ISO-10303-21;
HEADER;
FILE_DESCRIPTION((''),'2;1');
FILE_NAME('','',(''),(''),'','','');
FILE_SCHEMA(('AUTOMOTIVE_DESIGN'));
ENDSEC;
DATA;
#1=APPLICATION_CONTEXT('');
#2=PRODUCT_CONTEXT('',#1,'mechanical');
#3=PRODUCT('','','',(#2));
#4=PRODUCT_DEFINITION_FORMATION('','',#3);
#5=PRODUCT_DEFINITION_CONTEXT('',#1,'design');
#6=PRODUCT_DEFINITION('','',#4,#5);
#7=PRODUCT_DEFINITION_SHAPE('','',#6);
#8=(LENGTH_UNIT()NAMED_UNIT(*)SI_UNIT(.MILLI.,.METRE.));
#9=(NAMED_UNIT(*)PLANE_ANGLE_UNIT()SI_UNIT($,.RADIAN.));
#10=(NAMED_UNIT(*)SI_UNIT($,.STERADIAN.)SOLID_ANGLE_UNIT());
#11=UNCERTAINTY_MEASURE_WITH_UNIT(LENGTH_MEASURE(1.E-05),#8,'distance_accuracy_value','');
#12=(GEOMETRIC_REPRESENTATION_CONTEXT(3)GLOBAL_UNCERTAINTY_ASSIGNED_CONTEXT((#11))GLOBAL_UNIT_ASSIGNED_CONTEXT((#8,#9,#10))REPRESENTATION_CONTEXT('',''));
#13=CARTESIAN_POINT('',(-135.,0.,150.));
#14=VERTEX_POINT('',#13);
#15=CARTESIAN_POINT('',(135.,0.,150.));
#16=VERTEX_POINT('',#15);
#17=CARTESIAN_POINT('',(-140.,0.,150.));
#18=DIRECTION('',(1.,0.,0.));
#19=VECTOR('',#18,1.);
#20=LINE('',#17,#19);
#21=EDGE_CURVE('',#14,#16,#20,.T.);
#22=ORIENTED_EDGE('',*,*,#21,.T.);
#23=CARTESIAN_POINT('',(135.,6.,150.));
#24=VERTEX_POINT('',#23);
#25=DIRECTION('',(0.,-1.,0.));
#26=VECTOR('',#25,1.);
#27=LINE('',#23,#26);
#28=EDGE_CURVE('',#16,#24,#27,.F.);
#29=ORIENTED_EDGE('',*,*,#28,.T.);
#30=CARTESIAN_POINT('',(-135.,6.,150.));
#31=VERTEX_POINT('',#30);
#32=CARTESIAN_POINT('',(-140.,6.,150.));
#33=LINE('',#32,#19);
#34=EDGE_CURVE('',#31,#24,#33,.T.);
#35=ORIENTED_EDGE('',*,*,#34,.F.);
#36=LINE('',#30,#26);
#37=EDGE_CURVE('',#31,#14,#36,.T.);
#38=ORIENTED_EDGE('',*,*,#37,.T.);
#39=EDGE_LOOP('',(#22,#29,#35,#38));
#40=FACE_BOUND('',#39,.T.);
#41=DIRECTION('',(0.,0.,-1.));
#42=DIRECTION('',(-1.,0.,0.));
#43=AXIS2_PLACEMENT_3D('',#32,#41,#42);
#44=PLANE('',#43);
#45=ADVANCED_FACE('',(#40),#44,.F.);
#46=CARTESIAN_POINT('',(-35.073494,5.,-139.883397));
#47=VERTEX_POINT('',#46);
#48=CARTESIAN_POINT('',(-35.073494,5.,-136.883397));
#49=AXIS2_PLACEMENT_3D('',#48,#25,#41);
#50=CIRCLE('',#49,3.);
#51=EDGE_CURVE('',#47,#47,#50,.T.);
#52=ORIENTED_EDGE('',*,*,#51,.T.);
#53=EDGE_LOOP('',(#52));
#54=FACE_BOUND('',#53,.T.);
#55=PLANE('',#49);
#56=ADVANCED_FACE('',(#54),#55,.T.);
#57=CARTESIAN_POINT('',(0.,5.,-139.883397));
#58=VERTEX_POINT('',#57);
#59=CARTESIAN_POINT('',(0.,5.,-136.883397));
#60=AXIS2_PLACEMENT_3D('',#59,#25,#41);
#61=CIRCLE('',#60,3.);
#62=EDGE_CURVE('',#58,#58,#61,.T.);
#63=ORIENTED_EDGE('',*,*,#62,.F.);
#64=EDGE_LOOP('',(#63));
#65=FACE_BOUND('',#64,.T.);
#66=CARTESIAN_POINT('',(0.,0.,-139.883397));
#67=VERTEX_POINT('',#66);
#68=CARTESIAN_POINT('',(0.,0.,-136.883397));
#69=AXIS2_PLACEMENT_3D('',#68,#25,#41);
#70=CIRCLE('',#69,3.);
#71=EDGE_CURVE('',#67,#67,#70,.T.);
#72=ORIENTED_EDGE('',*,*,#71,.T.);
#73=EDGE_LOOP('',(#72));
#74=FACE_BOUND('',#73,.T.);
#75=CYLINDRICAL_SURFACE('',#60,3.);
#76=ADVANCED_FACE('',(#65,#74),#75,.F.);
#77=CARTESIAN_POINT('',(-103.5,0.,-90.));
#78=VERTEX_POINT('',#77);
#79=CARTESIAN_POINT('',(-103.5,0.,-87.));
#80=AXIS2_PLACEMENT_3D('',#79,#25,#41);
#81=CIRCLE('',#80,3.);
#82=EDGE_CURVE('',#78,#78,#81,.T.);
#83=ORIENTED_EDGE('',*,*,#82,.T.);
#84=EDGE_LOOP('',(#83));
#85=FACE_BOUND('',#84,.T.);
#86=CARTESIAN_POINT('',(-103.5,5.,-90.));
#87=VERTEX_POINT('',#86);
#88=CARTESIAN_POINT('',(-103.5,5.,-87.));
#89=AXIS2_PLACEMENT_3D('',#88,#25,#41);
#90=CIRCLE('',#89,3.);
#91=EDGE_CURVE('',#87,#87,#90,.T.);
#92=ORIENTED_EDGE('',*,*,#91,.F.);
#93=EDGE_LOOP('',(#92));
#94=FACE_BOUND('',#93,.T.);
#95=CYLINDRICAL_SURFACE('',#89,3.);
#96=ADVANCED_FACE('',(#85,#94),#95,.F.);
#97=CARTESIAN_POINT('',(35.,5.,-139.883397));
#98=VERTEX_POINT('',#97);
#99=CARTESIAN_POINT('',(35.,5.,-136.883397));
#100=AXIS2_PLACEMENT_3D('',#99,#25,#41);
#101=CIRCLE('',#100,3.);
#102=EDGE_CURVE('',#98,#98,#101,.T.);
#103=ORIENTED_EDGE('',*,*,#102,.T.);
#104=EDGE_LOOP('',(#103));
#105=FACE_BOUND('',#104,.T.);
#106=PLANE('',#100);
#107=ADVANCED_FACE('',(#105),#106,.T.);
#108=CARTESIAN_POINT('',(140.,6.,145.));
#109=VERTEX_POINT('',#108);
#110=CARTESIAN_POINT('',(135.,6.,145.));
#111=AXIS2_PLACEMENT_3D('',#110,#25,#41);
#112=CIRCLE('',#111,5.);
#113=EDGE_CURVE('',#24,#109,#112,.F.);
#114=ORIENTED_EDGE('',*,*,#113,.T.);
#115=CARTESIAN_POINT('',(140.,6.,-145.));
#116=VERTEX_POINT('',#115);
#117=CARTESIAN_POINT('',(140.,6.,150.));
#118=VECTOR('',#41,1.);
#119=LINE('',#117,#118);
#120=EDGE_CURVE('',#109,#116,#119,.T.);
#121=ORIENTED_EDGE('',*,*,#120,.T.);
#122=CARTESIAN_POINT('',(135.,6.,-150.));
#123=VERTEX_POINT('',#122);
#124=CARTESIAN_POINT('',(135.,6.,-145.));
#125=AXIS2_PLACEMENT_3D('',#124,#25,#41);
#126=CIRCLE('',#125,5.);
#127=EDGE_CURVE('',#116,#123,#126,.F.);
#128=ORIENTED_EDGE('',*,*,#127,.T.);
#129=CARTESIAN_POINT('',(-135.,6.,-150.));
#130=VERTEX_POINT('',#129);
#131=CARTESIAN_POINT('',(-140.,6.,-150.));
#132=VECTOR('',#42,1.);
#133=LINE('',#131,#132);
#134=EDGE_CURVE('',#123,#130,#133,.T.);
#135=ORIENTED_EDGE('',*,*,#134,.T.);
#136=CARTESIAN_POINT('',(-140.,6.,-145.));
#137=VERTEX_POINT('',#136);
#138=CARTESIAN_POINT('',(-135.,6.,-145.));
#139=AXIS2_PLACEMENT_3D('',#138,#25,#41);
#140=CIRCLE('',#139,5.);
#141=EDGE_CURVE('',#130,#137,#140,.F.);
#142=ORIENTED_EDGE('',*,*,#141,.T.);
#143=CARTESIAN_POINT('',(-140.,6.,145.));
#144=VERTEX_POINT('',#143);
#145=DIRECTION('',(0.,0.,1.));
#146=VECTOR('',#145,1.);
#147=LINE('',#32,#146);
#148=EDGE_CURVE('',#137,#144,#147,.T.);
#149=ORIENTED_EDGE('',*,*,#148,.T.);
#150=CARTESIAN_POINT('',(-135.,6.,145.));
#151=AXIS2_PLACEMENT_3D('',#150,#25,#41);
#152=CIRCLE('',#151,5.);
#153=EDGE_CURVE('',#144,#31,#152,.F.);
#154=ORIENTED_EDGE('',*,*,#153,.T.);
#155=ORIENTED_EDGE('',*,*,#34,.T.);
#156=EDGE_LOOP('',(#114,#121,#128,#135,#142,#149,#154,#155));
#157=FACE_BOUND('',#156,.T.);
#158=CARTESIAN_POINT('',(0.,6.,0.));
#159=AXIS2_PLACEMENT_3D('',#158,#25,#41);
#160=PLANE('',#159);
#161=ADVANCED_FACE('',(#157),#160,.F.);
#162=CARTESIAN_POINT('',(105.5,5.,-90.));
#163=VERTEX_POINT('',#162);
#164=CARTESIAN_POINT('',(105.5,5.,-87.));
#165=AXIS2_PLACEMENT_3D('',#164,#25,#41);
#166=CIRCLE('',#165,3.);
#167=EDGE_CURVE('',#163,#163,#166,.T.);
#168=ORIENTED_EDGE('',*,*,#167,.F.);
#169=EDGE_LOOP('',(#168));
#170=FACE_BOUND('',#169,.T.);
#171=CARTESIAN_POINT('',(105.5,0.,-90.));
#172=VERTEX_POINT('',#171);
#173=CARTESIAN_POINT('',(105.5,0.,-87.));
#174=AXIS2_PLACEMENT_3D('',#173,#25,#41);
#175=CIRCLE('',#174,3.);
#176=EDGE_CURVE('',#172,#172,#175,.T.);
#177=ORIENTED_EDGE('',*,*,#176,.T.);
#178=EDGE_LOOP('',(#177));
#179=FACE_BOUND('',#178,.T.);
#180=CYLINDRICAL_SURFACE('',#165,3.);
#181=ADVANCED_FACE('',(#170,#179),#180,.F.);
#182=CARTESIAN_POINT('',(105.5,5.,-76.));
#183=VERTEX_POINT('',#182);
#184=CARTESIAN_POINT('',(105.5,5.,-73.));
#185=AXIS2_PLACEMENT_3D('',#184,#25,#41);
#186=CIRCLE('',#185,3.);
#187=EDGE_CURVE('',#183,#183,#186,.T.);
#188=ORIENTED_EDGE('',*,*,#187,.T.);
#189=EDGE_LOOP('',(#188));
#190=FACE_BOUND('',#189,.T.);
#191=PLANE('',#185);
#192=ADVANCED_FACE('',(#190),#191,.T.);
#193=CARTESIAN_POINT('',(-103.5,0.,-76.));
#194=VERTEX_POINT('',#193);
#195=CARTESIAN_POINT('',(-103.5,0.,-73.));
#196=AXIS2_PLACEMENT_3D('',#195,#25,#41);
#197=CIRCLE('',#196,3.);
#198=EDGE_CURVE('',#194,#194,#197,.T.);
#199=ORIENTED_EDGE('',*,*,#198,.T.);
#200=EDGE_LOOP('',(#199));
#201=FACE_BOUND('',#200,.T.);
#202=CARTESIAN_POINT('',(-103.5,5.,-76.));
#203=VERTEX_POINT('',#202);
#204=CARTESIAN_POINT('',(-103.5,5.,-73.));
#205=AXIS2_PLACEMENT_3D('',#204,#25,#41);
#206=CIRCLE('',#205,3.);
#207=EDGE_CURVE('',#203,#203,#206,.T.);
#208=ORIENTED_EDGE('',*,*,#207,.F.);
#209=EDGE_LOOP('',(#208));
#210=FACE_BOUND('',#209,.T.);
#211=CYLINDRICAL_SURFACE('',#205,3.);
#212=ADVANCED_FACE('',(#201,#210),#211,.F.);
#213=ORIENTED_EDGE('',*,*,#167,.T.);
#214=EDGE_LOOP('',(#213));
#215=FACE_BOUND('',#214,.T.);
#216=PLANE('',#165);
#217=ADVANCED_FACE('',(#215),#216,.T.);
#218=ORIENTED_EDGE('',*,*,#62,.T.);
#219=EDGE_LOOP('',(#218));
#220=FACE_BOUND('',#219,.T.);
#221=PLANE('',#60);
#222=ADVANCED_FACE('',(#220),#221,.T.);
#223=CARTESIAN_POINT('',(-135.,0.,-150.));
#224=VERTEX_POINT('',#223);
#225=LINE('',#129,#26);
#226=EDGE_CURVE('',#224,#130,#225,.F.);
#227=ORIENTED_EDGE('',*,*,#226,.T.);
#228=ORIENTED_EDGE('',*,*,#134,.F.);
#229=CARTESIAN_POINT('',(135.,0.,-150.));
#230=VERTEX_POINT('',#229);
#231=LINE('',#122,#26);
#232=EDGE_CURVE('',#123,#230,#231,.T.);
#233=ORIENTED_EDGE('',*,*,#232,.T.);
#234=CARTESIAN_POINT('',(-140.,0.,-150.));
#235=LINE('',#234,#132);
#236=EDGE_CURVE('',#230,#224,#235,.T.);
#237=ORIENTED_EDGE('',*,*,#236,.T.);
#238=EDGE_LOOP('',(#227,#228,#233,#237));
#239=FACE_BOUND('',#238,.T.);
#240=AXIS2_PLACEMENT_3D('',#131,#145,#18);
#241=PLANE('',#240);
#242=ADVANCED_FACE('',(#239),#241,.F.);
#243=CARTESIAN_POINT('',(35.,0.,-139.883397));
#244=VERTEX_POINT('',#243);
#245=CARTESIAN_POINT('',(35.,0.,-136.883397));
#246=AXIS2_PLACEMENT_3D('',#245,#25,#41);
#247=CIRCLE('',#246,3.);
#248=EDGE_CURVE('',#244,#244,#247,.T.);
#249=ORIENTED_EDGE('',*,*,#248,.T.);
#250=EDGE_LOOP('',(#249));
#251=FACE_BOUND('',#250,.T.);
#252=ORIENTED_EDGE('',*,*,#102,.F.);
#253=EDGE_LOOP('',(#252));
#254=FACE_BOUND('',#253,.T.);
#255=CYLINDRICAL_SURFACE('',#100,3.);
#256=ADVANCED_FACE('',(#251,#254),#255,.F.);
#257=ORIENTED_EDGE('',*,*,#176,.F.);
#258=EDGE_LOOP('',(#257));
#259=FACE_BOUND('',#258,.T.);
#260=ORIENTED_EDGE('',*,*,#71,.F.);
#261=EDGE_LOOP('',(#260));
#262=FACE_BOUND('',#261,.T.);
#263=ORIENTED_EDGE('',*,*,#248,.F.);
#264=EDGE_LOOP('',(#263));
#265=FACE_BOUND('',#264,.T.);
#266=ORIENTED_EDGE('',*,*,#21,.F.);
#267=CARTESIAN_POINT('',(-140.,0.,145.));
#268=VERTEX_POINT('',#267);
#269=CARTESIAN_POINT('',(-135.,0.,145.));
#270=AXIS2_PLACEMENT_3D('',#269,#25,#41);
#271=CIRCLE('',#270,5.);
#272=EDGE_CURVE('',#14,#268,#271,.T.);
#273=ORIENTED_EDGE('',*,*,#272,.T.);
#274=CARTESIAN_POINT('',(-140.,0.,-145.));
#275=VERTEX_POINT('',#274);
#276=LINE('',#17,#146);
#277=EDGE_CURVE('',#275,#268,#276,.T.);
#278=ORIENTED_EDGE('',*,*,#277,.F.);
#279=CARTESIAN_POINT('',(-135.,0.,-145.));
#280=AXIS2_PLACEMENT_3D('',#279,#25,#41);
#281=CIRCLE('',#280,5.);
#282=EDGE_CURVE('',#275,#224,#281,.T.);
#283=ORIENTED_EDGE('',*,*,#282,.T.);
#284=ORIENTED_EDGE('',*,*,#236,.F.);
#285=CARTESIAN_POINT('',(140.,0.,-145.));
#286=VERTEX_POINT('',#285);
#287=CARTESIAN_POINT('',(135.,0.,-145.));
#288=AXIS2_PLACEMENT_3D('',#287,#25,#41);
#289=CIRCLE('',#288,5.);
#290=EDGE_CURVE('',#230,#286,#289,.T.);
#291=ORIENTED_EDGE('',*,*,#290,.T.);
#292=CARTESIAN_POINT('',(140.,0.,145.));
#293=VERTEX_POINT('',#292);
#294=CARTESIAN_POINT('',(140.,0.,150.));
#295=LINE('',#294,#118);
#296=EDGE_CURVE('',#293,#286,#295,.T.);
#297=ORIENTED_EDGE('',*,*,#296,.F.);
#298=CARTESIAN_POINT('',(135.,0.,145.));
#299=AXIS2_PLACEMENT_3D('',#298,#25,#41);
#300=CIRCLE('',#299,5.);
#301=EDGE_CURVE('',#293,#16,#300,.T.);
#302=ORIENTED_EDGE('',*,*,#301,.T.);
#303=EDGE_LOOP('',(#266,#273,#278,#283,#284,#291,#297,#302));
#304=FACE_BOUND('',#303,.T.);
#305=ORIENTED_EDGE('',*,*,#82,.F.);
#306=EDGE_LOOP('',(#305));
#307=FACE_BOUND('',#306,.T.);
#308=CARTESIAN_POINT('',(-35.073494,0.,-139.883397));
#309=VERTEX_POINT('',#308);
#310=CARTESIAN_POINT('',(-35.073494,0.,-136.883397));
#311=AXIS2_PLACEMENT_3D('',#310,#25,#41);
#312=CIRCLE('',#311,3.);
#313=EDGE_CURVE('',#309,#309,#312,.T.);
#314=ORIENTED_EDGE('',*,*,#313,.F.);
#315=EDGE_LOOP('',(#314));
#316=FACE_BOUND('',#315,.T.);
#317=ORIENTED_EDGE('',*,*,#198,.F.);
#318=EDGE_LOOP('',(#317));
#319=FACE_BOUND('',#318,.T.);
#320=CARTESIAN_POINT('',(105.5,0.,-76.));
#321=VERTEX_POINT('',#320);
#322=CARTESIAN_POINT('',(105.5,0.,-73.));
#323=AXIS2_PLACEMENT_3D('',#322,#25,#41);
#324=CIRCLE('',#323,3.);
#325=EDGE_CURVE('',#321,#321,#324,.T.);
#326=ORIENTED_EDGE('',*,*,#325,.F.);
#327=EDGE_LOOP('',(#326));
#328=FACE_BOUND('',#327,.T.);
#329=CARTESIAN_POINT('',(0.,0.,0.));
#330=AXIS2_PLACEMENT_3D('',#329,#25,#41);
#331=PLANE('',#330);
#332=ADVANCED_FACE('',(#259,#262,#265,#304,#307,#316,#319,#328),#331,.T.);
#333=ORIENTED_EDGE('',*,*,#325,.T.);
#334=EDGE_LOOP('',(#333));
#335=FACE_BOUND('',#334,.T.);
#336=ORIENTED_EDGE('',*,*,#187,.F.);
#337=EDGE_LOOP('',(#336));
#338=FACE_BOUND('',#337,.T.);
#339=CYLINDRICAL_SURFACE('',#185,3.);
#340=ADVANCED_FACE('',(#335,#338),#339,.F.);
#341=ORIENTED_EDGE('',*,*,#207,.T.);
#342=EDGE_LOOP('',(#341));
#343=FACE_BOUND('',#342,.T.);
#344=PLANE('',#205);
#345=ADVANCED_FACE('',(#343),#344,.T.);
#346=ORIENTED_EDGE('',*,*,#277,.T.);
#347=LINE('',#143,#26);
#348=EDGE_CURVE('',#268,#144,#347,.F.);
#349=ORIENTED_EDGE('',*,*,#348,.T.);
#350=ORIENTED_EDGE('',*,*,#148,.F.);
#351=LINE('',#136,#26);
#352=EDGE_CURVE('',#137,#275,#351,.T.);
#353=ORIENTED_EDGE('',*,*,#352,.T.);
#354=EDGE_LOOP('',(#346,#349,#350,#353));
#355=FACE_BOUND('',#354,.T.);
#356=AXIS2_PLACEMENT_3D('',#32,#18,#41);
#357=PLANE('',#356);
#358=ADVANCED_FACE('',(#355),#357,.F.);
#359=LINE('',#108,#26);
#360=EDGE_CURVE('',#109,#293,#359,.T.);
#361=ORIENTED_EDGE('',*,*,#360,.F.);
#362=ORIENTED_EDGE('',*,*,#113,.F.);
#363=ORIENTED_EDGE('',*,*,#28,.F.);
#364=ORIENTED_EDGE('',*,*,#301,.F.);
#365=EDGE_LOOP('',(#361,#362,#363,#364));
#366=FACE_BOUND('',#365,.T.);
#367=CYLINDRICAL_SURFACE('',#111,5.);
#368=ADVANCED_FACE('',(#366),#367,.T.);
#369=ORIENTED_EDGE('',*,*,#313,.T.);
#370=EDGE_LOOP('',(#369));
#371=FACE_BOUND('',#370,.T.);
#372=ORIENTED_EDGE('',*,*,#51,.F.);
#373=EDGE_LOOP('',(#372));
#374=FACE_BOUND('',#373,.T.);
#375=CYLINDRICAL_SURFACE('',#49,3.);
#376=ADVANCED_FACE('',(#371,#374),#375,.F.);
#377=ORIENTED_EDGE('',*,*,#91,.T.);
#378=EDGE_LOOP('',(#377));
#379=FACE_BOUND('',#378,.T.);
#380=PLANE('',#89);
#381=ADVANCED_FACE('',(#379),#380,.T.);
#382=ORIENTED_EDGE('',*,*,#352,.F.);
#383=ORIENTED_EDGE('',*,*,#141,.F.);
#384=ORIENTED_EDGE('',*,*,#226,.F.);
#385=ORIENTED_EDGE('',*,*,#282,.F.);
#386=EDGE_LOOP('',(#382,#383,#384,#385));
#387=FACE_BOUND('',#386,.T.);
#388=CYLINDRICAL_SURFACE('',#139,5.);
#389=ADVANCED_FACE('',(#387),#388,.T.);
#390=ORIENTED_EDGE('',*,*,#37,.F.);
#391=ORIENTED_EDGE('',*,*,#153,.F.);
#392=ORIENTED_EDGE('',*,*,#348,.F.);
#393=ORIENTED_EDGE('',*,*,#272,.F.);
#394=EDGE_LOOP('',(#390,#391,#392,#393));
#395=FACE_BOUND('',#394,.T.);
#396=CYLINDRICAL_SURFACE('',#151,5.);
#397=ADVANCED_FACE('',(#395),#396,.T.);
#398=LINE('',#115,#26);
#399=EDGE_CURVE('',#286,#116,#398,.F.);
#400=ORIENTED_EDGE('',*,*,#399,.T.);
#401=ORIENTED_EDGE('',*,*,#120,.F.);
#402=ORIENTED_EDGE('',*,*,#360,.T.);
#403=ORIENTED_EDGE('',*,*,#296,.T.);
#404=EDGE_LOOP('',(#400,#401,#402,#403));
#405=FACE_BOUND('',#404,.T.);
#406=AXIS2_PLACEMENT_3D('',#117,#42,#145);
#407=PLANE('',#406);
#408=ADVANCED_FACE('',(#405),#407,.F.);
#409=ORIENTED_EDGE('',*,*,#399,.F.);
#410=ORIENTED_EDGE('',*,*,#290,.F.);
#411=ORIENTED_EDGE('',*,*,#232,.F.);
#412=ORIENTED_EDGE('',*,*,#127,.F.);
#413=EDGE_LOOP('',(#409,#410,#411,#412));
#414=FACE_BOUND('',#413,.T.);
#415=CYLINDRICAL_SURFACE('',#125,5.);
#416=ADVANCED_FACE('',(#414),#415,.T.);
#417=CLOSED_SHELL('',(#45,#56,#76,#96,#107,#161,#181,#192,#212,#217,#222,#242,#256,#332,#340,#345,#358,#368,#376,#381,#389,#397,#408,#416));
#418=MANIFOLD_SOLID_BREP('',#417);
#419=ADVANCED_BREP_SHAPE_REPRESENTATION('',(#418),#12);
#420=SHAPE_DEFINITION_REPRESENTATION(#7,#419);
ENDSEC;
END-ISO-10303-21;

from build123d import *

# Parameters (mm, degrees)
SKETCH1_W           = 280
SKETCH1_H           = 300
BOSS_EXTRUDE1_DEPTH = 6
FILLET1_R           = 5
SKETCH2_R           = 3
CUT_EXTRUDE1_DEPTH  = 5
SKETCH3_R           = 3
CUT_EXTRUDE2_DEPTH  = 5


with BuildPart() as part:
    # Sketch1 → Boss-Extrude1 (new body)
    with BuildSketch(Plane(origin=(0, 0, 0), x_dir=(1, 0, 0), z_dir=(0, 1, 0))):
        Rectangle(SKETCH1_W, SKETCH1_H)
    extrude(amount=BOSS_EXTRUDE1_DEPTH)

    # Fillet1
    fillet1_edges = [part.edges().sort_by_distance(p)[0] for p in [
        (140, 3, 150),
        (-140, 3, 150),
        (-140, 3, -150),
        (140, 3, -150),
    ]]
    fillet(fillet1_edges, radius=FILLET1_R)

    # Sketch2 → Cut-Extrude1 (cut)
    with BuildSketch(Plane(origin=(0, 0, 0), x_dir=(-1, 0, 0), z_dir=(0, -1, 0))):
        with Locations(Location((0, 136.883397034, 0), (0, 0, 90))):
            Circle(SKETCH2_R)
        with Locations(Location((-35, 136.883397034, 0), (0, 0, 90))):
            Circle(SKETCH2_R)
        with Locations(Location((35.073494382, 136.883397034, 0), (0, 0, 90))):
            Circle(SKETCH2_R)
    extrude(amount=-CUT_EXTRUDE1_DEPTH, mode=Mode.SUBTRACT)

    # Sketch3 → Cut-Extrude2 (cut)
    with BuildSketch(Plane(origin=(0, 0, 0), x_dir=(-1, 0, 0), z_dir=(0, -1, 0))):
        with Locations(Location((103.5, 73, 0), (0, 0, 90))):
            Circle(SKETCH3_R)
        with Locations(Location((103.5, 87, 0), (0, 0, 90))):
            Circle(SKETCH3_R)
        with Locations(Location((-105.5, 73, 0), (0, 0, 90))):
            Circle(SKETCH3_R)
        with Locations(Location((-105.5, 87, 0), (0, 0, 90))):
            Circle(SKETCH3_R)
    extrude(amount=-CUT_EXTRUDE2_DEPTH, mode=Mode.SUBTRACT)


solid = part.part
